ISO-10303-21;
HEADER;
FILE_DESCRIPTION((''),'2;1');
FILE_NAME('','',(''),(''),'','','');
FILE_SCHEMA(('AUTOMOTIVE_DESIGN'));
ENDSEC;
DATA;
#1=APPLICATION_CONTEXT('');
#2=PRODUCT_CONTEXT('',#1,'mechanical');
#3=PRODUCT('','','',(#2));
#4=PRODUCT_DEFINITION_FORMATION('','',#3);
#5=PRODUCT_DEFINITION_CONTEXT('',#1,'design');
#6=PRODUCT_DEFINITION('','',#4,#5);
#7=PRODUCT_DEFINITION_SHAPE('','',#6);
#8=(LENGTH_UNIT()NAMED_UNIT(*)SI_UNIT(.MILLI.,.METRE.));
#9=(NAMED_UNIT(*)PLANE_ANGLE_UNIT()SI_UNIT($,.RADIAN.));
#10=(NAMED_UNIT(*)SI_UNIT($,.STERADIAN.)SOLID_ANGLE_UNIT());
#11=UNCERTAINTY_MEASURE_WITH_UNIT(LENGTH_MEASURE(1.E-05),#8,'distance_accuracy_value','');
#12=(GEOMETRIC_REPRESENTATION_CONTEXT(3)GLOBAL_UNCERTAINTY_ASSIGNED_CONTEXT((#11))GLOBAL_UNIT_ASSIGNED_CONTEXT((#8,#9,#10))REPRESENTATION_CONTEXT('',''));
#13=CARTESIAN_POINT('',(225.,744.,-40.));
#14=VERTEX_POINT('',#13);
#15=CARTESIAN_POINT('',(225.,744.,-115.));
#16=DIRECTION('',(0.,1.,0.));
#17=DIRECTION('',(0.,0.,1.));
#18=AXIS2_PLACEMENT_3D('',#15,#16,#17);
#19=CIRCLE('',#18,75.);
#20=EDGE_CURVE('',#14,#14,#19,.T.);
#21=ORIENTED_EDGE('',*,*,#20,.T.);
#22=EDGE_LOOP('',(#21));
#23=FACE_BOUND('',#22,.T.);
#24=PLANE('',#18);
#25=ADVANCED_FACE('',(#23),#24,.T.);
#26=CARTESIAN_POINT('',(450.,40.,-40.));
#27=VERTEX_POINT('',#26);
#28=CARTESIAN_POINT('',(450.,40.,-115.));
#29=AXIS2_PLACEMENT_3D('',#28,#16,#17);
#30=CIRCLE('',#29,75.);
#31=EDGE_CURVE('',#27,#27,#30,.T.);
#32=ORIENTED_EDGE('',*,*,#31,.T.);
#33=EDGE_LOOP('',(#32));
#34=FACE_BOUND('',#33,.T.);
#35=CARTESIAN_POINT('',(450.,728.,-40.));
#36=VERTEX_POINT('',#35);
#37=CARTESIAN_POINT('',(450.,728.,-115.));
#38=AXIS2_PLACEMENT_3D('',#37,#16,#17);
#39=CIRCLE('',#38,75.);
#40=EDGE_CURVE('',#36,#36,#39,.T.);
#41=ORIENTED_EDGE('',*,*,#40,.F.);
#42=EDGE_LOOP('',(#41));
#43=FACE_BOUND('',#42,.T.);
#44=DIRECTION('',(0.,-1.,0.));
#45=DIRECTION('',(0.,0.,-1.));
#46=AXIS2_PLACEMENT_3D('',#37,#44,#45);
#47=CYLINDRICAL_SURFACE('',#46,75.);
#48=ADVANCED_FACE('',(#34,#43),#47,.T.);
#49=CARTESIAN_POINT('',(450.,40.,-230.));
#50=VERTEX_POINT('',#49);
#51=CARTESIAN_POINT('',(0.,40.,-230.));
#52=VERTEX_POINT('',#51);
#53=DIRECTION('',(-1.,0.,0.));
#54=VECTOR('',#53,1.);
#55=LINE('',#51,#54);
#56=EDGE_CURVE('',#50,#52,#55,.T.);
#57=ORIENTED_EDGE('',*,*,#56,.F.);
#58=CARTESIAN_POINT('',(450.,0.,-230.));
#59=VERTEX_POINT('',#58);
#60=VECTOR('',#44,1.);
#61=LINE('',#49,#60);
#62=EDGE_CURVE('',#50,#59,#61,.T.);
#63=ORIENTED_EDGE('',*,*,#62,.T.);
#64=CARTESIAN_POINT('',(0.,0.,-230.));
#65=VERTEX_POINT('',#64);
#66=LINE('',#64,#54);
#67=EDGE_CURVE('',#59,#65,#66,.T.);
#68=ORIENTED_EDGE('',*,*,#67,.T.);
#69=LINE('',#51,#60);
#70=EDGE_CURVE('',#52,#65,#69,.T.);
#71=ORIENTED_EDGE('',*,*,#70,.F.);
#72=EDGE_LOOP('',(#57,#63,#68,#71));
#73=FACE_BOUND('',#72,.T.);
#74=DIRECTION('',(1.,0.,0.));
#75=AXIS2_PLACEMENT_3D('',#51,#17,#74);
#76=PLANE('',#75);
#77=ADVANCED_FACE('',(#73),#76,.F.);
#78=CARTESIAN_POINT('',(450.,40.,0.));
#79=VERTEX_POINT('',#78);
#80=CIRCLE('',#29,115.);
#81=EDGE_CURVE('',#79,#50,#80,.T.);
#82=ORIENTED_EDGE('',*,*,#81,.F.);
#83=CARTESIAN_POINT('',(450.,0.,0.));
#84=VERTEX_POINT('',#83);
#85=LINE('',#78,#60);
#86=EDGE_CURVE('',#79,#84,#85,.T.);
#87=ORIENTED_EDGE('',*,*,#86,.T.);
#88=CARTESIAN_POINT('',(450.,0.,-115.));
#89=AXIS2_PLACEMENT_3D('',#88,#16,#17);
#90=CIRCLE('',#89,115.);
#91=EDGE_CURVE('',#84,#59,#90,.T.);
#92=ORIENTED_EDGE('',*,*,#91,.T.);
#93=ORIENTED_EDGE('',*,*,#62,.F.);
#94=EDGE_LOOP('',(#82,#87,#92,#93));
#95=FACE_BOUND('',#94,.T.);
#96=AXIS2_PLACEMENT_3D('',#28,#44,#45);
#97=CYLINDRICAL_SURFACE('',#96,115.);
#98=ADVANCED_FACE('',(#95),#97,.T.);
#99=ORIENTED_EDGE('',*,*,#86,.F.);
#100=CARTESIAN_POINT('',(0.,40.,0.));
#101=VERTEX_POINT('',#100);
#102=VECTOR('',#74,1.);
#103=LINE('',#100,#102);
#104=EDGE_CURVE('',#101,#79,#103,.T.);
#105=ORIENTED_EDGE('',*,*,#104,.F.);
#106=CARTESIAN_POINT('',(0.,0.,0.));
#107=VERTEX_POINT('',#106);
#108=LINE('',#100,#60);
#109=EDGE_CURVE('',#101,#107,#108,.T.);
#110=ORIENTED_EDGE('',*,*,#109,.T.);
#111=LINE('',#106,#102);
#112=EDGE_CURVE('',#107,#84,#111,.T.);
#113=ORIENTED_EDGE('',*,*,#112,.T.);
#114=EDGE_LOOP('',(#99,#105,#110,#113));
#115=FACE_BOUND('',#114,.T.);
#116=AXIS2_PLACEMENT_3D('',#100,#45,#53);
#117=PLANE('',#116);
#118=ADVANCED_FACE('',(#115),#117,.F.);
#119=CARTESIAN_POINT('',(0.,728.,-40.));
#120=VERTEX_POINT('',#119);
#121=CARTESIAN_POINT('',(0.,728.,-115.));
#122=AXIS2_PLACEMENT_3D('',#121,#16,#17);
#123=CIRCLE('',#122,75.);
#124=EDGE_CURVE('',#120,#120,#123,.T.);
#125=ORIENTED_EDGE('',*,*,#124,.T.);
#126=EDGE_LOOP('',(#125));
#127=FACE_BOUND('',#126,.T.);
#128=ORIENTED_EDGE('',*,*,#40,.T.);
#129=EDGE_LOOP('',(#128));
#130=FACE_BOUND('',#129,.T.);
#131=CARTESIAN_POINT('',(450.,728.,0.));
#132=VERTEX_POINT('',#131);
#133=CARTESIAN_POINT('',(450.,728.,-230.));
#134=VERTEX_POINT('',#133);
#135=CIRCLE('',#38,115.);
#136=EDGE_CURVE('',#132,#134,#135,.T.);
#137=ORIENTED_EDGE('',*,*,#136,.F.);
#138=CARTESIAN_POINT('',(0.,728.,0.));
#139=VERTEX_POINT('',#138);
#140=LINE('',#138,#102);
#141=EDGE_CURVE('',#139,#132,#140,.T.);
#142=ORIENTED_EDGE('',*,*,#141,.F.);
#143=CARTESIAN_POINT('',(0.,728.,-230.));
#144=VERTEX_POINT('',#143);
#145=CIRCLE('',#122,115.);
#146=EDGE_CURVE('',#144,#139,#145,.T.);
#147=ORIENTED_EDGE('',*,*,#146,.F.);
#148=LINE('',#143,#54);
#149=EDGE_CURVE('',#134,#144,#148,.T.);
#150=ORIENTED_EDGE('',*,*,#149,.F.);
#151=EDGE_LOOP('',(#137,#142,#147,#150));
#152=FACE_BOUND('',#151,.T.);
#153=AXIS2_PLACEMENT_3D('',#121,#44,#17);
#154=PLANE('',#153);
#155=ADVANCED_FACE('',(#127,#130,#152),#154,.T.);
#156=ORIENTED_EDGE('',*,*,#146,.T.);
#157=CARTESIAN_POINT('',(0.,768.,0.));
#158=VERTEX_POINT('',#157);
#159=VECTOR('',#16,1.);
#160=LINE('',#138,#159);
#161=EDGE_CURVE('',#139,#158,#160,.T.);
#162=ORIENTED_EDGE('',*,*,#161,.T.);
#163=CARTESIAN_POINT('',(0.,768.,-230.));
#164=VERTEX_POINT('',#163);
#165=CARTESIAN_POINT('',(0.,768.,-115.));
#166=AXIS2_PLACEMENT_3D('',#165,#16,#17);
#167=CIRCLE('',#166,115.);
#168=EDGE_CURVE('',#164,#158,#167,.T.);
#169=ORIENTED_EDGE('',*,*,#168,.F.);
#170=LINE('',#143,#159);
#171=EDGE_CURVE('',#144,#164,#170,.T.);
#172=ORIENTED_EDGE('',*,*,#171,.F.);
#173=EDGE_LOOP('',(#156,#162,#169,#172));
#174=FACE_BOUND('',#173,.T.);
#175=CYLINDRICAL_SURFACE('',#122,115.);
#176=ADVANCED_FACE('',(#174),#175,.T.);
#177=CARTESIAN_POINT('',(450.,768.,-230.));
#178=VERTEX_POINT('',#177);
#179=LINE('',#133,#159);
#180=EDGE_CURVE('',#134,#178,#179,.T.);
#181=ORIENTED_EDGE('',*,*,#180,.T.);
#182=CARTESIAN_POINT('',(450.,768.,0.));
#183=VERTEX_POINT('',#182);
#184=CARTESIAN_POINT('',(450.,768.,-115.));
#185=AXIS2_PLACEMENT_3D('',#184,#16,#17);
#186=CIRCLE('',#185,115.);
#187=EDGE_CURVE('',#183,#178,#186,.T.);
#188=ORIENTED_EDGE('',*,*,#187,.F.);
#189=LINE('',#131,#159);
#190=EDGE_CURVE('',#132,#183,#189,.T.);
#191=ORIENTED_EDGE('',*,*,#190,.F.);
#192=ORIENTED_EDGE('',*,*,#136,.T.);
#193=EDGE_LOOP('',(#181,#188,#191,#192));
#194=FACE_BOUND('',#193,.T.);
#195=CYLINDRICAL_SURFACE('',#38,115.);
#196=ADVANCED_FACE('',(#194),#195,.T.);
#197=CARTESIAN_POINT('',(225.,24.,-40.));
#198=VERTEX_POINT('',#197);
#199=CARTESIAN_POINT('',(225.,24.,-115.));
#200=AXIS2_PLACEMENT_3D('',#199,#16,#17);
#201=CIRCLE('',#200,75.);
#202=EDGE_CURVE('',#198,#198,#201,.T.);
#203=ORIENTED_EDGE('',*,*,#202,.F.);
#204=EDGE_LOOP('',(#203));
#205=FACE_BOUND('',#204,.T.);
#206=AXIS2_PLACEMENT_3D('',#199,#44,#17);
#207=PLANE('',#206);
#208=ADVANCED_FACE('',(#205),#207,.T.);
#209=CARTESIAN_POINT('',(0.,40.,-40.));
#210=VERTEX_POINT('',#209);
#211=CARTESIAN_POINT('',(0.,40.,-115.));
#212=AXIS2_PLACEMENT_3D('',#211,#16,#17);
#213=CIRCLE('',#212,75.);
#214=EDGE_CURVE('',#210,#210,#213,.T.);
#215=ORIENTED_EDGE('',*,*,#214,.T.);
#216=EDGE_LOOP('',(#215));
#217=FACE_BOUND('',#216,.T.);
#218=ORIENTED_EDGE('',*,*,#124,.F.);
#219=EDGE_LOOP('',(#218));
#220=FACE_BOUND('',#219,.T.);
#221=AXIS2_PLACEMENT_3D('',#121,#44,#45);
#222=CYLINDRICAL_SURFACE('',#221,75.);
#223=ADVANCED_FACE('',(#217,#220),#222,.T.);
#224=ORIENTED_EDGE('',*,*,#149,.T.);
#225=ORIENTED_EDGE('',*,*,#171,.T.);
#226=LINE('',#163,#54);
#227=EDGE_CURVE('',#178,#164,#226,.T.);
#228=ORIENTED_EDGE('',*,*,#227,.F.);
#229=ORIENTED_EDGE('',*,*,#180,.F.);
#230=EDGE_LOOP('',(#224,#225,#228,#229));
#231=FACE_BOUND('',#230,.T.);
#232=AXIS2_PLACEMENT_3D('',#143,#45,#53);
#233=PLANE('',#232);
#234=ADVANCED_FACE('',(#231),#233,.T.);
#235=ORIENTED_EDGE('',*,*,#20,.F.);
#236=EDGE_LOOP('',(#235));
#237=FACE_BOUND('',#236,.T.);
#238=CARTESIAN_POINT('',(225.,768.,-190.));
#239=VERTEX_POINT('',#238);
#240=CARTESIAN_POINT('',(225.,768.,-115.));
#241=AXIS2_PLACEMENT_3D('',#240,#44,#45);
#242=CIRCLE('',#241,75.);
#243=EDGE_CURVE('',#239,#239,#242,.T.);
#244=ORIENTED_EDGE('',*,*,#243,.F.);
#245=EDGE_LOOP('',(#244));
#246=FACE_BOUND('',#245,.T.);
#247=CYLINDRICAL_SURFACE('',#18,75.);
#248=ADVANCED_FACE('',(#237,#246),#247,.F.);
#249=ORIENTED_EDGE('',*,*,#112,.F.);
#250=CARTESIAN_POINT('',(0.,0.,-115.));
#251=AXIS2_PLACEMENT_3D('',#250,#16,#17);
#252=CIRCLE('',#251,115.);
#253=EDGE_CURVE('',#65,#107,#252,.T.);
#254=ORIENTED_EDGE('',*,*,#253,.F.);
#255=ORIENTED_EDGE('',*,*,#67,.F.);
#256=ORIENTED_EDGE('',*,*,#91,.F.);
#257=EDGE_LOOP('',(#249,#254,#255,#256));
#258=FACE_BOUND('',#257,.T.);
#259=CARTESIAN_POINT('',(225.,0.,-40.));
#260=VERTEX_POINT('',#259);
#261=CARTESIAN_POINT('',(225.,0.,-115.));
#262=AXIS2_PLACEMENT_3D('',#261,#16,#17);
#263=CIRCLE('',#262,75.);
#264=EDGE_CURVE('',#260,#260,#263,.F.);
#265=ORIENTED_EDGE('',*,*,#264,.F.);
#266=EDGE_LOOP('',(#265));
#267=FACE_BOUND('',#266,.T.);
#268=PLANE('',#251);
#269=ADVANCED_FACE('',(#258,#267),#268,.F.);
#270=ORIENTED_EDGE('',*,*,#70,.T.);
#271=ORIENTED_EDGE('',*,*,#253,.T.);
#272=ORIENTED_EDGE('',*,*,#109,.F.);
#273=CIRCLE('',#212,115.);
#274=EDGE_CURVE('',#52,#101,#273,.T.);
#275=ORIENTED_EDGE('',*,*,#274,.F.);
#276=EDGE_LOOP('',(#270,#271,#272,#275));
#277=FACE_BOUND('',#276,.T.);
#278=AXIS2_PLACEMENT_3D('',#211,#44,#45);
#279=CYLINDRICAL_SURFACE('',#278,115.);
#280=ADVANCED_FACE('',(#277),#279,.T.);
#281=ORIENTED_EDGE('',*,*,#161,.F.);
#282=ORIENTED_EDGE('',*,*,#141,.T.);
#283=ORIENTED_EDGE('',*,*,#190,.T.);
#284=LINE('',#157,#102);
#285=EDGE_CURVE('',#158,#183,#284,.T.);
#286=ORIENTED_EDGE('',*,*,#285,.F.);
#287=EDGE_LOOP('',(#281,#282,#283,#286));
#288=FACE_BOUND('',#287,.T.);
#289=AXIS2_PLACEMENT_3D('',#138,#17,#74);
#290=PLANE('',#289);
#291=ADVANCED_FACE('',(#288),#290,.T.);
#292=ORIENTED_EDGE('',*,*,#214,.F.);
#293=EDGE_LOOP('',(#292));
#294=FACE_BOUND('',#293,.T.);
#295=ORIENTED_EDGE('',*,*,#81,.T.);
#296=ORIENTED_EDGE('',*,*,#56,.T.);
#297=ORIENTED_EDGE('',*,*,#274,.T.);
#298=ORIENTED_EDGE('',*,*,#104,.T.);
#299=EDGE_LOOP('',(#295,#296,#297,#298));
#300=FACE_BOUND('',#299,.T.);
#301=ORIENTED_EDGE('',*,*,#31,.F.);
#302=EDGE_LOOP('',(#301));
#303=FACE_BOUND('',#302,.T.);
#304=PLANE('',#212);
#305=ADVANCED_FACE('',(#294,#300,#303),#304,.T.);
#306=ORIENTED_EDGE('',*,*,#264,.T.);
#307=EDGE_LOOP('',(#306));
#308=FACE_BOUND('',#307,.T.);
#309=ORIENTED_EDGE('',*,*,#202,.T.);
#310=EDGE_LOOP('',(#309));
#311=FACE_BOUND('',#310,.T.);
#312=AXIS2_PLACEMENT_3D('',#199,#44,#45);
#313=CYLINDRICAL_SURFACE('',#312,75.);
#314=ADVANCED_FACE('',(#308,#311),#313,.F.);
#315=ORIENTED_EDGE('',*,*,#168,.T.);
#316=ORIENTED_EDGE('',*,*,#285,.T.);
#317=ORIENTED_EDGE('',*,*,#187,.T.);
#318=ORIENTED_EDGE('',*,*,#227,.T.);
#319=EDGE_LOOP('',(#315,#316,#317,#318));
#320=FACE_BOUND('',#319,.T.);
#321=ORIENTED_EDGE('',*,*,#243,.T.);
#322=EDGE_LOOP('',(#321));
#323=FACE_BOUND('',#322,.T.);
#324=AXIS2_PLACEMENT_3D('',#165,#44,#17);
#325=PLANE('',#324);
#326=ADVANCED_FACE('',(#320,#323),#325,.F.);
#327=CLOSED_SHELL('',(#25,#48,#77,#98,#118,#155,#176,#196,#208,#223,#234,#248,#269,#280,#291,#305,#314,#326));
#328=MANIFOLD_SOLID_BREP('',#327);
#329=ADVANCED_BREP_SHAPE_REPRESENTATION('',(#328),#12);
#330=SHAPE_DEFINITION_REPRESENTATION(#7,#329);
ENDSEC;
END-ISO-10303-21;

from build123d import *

# Parameters (mm, degrees)
BOSS_EXTRUDE1_DEPTH = 40
SKETCH2_R           = 75
BOSS_EXTRUDE2_DEPTH = 688
SKETCH3_R           = 75
BOSS_EXTRUDE3_DEPTH = 1
SKETCH5_R           = 75
CUT_EXTRUDE1_DEPTH  = 25


with BuildPart() as part:
    # Sketch1 → Boss-Extrude1 (new body)
    with BuildSketch(Plane(origin=(0, 0, 0), x_dir=(1, 0, 0), z_dir=(0, 1, 0))):
        with BuildLine():
            Line((0, 0), (450, 0))
            ThreePointArc((450, 0), (565, 115), (450, 230))
            Line((450, 230), (0, 230))
            ThreePointArc((0, 230), (-115, 115), (0, 0))
        make_face()
    boss_extrude1 = extrude(amount=BOSS_EXTRUDE1_DEPTH)

    # Sketch2 → Boss-Extrude2 (add)
    with BuildSketch(Plane(origin=(0, 40, 0), x_dir=(1, 0, 0), z_dir=(0, 1, 0))):
        with Locations(Location((0, 115, 0), (0, 0, 270))):
            Circle(SKETCH2_R)
        with Locations(Location((450, 115, 0), (0, 0, 270))):
            Circle(SKETCH2_R)
    extrude(amount=BOSS_EXTRUDE2_DEPTH)

    # Mirror1: Boss-Extrude1 across plane
    add(boss_extrude1.mirror(Plane.ZX.offset(384)))

    # Sketch3 → Boss-Extrude3 (add)
    with BuildSketch(Plane(origin=(0, 768, 0), x_dir=(1, 0, 0), z_dir=(0, 1, 0))):
        with Locations(Location((225, 115, 0), (0, 0, 270))):
            Circle(SKETCH3_R)
    boss_extrude3 = extrude(amount=BOSS_EXTRUDE3_DEPTH)

    # Mirror2: Boss-Extrude3 across plane
    add(boss_extrude3.mirror(Plane.ZX.offset(384)))

    # Sketch5 → Cut-Extrude1 (cut)
    with BuildSketch(Plane(origin=(0, 769, 0), x_dir=(1, 0, 0), z_dir=(0, 1, 0))):
        with Locations(Location((225, 115, 0), (0, 0, 270))):
            Circle(SKETCH5_R)
    cut_extrude1 = extrude(amount=-CUT_EXTRUDE1_DEPTH, mode=Mode.SUBTRACT)

    # Mirror3: Cut-Extrude1 across plane
    add(cut_extrude1.mirror(Plane.ZX.offset(384)), mode=Mode.SUBTRACT)


solid = part.part
